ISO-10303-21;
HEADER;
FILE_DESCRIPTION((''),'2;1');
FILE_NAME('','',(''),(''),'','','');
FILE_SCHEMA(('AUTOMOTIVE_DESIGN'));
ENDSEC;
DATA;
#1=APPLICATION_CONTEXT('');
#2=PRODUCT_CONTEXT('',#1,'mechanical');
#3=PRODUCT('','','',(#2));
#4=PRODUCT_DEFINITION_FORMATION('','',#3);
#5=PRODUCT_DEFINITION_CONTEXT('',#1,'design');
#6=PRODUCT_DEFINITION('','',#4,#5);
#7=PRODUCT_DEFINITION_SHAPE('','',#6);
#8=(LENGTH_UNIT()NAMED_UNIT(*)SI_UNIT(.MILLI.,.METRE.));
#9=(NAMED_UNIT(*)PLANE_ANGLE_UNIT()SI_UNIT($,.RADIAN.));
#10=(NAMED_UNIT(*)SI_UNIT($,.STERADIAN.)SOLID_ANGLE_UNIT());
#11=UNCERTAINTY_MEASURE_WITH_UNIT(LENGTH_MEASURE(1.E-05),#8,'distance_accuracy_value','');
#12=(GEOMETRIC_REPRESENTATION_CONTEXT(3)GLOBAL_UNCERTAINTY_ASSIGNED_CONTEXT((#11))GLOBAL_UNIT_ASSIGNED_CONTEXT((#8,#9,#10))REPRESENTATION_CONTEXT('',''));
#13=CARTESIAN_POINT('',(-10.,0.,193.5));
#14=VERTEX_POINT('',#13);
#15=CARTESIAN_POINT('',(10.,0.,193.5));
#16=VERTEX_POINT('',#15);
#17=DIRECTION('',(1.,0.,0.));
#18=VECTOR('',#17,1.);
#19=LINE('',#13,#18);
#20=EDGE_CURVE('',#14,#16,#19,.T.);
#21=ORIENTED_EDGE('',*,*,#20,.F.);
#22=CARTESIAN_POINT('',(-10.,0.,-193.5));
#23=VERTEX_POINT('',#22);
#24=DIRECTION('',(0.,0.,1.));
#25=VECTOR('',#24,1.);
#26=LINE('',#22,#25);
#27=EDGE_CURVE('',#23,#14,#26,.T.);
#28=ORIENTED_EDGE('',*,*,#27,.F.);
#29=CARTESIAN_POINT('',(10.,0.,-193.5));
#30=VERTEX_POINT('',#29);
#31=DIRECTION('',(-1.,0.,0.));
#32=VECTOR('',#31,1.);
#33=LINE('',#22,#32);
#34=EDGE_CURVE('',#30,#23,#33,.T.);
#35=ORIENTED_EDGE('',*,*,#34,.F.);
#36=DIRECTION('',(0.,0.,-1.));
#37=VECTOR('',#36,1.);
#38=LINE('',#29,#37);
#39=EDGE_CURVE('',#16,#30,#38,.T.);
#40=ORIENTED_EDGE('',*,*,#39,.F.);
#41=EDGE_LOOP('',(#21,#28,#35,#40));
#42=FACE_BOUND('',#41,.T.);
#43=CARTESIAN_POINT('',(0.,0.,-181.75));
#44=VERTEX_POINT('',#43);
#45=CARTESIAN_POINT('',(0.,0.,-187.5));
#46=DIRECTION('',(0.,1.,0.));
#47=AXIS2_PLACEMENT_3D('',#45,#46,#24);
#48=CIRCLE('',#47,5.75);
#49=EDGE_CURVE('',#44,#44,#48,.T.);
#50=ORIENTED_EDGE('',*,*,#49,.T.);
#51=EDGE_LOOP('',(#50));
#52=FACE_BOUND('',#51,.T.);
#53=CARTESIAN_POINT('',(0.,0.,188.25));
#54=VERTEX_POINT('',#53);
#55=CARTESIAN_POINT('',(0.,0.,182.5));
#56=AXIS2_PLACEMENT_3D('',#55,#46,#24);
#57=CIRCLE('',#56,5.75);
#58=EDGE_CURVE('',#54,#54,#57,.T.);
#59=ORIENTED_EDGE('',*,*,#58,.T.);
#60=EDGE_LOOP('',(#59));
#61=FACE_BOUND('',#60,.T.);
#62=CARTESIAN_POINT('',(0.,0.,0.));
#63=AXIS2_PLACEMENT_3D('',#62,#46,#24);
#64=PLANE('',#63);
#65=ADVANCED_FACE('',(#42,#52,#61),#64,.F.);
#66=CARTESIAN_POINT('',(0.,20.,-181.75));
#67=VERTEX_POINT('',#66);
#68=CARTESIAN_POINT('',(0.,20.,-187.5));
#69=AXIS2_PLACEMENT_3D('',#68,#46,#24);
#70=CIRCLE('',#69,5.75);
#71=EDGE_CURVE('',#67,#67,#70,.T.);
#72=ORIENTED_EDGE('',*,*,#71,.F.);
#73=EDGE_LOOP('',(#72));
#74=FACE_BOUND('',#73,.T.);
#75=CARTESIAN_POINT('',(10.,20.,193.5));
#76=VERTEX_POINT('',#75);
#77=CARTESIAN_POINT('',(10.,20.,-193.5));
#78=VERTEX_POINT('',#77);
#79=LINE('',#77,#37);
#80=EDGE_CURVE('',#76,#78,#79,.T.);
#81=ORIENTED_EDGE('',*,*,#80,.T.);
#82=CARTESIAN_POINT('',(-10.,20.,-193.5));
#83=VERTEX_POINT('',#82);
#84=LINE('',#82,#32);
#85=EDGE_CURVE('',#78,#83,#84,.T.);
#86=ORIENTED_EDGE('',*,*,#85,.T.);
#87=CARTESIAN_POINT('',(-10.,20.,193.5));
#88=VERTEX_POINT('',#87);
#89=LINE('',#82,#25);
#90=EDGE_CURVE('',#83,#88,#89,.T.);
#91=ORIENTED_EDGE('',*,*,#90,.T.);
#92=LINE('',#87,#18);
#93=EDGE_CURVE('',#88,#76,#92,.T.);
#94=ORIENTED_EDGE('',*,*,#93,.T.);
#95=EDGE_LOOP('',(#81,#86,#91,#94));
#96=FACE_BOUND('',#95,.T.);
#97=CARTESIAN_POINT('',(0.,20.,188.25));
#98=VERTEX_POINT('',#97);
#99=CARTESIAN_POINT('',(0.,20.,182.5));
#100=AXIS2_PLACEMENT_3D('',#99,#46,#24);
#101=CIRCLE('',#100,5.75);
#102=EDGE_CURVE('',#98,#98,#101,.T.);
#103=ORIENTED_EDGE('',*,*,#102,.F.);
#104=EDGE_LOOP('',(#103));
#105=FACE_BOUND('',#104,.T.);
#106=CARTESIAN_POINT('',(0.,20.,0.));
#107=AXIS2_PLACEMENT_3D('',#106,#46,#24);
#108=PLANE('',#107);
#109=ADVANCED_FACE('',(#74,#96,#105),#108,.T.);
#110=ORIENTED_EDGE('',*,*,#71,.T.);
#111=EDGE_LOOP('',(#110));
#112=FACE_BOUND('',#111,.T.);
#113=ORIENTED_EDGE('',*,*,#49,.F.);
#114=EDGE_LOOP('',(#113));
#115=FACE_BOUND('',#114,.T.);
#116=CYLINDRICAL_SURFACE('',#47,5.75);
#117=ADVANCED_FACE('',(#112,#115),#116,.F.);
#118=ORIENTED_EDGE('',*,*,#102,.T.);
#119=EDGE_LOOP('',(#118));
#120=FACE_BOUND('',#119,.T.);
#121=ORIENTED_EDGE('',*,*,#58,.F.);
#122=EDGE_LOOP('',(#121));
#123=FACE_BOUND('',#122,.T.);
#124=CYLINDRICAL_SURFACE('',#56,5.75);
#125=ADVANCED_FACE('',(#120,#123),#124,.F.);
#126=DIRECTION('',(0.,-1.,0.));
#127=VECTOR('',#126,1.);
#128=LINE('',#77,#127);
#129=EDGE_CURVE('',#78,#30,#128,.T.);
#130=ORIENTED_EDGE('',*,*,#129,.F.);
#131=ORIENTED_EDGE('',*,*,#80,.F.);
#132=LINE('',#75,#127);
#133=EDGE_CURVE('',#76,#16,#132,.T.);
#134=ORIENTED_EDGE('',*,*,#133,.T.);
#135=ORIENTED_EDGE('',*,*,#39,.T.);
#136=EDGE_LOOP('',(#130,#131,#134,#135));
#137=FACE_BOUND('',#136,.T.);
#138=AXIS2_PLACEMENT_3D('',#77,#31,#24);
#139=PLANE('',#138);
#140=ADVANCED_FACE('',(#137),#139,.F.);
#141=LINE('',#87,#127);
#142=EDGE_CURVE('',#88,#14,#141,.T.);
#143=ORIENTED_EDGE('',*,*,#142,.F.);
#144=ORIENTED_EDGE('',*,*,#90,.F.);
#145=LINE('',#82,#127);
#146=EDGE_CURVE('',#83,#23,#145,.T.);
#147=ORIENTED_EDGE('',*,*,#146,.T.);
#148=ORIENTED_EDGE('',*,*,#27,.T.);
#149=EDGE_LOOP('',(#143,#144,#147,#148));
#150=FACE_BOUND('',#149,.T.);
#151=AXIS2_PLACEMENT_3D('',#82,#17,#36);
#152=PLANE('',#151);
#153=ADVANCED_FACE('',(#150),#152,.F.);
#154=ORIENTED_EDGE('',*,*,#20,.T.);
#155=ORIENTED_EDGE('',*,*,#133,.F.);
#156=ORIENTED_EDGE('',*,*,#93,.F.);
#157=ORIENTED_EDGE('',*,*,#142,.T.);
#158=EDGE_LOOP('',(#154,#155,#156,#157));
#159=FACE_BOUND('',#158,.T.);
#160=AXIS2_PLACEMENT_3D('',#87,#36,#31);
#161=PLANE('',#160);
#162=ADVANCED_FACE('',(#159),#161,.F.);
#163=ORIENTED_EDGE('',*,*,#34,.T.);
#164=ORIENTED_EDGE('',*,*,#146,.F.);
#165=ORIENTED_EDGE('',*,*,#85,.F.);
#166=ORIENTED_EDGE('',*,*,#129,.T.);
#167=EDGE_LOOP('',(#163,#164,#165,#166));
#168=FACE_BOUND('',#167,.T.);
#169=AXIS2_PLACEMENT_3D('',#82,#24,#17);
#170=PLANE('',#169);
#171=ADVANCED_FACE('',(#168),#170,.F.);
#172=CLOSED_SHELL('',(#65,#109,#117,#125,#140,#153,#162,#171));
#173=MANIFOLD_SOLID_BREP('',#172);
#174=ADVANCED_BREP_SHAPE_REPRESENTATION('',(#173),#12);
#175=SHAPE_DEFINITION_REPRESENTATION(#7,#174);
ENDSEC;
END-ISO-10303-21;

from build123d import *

# Parameters (mm, degrees)
SKETCH1_W           = 20
SKETCH1_H           = 387
BOSS_EXTRUDE1_DEPTH = 20
SKETCH3_R           = 5.75
CUT_EXTRUDE1_DEPTH  = 21


with BuildPart() as part:
    # Sketch1 → Boss-Extrude1 (new body)
    with BuildSketch(Plane(origin=(0, 0, 0), x_dir=(1, 0, 0), z_dir=(0, 1, 0))):
        Rectangle(SKETCH1_W, SKETCH1_H)
    extrude(amount=BOSS_EXTRUDE1_DEPTH)

    # Sketch3 → Cut-Extrude1 (cut, through all)
    with BuildSketch(Plane(origin=(0, 20, 0), x_dir=(1, 0, 0), z_dir=(0, 1, 0))):
        with Locations((0, 187.5)):
            Circle(SKETCH3_R)
        with Locations((0, -182.5)):
            Circle(SKETCH3_R)
    extrude(amount=-CUT_EXTRUDE1_DEPTH, mode=Mode.SUBTRACT)


solid = part.part
